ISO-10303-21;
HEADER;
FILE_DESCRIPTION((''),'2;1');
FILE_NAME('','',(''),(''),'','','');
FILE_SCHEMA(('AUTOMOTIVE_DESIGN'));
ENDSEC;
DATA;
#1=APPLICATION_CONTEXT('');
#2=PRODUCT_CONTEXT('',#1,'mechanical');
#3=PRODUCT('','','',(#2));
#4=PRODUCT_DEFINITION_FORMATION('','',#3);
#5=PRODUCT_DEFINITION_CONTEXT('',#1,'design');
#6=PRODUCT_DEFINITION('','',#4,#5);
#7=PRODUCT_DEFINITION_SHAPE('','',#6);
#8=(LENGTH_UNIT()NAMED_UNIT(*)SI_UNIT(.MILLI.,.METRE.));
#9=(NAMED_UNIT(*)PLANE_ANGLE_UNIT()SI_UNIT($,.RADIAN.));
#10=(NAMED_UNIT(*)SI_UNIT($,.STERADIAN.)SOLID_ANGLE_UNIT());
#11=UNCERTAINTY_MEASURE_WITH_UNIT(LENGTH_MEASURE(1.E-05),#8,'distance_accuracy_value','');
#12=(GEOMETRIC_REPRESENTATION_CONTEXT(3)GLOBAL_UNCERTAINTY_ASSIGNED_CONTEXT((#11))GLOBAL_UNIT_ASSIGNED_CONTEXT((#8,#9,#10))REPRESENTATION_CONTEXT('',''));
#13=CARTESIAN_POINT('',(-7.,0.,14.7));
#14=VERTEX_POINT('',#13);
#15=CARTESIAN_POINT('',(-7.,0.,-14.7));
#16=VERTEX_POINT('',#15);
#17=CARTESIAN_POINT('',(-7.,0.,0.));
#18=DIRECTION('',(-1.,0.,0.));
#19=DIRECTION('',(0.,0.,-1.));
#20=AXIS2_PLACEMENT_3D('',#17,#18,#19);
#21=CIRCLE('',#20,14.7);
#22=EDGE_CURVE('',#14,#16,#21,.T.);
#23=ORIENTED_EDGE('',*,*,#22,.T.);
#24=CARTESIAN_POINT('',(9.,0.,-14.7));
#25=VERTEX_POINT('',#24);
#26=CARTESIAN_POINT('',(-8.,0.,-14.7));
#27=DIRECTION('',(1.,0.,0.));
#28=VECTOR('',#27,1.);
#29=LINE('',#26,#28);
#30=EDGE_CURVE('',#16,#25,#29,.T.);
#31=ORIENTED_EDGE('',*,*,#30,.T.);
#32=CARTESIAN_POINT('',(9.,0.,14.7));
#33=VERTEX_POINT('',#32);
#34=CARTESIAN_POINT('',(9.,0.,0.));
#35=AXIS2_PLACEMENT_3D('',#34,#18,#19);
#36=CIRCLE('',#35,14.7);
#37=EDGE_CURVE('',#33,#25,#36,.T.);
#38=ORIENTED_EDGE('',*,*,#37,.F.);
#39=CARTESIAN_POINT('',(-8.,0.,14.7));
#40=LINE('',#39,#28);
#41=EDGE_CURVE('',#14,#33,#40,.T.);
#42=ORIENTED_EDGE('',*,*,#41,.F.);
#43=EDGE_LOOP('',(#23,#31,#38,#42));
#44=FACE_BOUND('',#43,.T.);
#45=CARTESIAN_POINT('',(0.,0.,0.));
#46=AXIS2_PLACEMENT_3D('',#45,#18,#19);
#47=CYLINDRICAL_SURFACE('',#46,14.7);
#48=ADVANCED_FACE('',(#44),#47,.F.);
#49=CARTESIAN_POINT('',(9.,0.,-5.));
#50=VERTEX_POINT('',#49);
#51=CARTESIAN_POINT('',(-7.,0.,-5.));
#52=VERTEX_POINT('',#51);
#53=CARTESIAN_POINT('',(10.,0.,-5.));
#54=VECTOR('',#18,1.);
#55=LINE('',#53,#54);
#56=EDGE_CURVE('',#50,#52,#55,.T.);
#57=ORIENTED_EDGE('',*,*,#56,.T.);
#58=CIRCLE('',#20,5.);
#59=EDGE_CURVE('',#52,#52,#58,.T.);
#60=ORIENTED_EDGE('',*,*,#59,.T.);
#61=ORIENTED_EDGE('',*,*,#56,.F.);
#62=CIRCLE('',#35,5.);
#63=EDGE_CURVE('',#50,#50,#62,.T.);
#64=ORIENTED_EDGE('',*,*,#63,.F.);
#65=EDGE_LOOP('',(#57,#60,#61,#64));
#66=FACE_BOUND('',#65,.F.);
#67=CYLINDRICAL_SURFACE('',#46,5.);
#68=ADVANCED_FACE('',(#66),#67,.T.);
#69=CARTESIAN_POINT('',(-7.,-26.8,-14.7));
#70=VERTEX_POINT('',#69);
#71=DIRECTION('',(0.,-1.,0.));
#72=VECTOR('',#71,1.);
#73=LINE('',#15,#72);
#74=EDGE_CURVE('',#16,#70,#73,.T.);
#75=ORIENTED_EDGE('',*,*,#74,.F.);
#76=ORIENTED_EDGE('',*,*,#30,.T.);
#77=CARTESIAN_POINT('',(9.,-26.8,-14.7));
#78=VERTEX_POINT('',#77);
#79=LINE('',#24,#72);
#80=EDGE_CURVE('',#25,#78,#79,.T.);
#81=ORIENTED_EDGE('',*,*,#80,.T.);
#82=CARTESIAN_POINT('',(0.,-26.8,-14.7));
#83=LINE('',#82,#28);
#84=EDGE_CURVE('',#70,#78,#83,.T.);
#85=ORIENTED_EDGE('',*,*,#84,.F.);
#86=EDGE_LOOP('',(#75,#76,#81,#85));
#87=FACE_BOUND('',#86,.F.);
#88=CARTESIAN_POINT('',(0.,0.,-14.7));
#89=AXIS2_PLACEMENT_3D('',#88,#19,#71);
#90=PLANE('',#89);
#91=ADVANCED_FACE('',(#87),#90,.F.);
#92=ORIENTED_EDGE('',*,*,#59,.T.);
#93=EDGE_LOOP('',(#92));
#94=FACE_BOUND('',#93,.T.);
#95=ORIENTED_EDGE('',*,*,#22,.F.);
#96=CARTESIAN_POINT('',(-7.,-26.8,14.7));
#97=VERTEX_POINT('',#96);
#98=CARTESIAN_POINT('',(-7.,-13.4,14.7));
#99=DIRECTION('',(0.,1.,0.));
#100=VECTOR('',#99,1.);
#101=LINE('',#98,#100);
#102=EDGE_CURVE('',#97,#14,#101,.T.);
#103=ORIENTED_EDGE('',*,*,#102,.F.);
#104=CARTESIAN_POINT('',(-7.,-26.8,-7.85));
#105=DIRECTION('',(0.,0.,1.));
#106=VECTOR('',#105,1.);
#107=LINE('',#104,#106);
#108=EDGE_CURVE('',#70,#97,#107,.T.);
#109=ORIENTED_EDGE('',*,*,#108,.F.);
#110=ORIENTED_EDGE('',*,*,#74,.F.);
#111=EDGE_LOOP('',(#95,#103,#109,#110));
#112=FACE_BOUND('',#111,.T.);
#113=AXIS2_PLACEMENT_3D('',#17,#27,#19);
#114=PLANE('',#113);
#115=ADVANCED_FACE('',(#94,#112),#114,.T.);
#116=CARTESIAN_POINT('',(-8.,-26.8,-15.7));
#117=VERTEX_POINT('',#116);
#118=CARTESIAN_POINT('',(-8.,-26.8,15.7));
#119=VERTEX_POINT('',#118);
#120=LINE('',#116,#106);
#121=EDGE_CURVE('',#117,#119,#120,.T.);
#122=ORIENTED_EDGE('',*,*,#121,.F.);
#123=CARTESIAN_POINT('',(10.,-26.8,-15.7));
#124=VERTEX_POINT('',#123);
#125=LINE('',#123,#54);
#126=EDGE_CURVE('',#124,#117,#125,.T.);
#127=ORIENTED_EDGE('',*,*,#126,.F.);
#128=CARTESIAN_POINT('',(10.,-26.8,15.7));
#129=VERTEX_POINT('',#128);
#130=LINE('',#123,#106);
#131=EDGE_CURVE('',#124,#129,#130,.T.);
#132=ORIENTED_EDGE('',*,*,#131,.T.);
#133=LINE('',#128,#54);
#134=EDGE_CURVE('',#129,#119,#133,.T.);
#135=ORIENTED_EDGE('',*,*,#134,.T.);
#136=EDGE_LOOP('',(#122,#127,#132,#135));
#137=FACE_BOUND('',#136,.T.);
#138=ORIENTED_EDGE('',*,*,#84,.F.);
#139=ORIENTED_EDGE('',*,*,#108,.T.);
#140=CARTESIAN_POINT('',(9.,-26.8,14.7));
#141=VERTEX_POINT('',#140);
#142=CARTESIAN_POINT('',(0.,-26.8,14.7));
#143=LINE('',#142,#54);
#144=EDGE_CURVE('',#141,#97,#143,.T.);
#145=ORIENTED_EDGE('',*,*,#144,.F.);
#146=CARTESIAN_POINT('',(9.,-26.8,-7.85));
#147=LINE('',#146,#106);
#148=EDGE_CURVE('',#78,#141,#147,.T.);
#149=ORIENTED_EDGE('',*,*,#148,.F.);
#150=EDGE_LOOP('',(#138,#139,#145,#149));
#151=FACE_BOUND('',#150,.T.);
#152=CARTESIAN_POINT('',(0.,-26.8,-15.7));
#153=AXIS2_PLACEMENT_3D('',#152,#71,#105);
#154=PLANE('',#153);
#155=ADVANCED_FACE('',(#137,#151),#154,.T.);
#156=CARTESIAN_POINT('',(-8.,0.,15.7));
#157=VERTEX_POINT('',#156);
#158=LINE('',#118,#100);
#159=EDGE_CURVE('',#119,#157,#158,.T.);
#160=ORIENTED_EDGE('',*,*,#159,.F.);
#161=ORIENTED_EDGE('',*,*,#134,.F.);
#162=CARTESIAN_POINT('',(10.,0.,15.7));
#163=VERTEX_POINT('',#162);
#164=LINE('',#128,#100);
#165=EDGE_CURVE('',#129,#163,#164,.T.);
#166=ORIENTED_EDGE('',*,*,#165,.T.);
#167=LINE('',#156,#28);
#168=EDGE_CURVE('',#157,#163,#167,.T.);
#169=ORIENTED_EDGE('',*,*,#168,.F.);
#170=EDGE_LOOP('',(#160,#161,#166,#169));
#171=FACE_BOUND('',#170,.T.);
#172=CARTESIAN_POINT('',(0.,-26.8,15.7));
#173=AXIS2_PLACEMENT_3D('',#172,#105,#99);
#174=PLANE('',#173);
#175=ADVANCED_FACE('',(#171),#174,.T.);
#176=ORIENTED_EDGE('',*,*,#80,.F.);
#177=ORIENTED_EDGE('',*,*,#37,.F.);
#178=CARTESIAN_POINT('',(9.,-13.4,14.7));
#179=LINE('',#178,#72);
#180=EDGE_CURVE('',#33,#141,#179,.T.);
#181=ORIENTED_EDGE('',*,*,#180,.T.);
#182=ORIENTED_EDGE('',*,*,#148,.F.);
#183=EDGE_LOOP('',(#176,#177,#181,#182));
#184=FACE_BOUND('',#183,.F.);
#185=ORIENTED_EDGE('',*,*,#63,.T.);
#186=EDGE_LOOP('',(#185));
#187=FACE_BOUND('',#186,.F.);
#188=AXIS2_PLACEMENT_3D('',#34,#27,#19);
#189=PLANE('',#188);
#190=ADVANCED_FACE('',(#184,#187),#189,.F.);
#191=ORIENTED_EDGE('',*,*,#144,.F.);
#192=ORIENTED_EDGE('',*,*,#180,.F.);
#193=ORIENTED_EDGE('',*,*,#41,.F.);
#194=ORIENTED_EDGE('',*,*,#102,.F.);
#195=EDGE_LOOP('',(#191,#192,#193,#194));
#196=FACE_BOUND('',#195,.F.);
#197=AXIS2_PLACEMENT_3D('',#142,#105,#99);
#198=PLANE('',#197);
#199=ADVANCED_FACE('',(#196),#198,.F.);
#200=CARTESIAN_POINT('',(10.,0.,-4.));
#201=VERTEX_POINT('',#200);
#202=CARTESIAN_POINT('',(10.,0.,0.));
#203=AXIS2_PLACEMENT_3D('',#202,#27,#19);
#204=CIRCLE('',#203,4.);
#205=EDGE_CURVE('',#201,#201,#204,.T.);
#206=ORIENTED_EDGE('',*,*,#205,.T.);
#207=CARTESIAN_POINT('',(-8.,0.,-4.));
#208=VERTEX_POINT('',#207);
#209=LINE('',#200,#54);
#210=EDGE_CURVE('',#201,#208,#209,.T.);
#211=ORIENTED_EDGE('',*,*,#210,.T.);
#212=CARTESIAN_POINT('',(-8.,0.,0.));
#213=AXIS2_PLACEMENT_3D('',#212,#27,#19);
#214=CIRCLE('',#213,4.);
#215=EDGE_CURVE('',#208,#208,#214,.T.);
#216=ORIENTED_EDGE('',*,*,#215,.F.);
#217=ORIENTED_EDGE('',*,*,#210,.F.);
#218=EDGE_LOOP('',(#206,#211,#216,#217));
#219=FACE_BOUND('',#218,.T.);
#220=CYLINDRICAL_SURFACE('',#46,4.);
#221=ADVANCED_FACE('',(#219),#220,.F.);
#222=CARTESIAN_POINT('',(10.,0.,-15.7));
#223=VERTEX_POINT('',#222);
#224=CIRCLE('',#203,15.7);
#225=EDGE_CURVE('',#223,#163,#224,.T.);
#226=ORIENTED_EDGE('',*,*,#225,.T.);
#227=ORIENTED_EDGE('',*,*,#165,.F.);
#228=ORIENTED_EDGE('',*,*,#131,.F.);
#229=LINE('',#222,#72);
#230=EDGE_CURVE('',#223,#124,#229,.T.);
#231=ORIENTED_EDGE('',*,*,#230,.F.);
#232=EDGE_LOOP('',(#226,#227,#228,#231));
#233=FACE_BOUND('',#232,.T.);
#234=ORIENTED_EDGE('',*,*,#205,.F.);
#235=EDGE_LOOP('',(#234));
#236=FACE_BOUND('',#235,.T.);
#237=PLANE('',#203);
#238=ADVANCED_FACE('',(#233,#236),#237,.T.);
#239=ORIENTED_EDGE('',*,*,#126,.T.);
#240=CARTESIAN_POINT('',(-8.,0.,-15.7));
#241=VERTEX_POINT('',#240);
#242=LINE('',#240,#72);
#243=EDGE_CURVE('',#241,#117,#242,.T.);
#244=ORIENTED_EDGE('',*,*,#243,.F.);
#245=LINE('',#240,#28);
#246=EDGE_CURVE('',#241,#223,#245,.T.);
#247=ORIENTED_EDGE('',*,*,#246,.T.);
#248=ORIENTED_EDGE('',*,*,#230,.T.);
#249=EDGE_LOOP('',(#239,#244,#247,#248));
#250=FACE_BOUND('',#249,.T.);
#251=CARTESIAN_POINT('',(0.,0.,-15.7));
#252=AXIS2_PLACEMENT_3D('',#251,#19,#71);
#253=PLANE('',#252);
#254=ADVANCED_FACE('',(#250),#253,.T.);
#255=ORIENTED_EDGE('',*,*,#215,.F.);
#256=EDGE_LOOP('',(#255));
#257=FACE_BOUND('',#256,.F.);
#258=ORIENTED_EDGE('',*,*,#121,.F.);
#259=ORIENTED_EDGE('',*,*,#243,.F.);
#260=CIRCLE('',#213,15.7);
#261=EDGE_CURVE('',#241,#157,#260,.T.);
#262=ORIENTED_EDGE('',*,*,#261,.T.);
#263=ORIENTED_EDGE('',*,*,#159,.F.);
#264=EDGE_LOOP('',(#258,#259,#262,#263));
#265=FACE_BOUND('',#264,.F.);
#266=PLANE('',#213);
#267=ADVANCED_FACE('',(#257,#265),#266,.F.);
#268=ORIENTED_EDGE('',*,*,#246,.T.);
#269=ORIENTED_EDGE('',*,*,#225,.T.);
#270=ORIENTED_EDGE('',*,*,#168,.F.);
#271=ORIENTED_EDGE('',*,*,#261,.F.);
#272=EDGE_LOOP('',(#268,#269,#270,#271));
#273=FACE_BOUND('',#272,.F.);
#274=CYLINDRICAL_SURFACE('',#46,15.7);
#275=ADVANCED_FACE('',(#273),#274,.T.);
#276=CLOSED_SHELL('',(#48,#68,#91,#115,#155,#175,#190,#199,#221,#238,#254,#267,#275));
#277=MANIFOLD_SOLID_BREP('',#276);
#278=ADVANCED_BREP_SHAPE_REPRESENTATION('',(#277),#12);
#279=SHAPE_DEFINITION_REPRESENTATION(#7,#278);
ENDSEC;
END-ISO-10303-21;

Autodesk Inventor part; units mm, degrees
ref_plane "YZ Plane" through (0, 0, 0) normal (1, 0, 0) x (0, 1, 0)
ref_plane "XZ Plane" through (0, 0, 0) normal (0, 1, 0) x (-1, 0, 0)
ref_plane "Arbeitsebene1" through (0, 0, 0) normal (1, 0, 0) x (0, 0, -1)
sketch "Skizze1" plane through (0, 0, 0) normal (1, 0, 0) x (0, 0, -1)
  arc A0 (15.7, 0) -> (-15.7, 0) centre (0, 0) ccw
  line L0 (15.7, 0) -> (15.7, -26.8)
  line L1 (15.7, -26.8) -> (-15.7, -26.8)
  line L2 (-15.7, -26.8) -> (-15.7, 0)
  circle A1 centre (0, 0) radius 4
  point P0 (0, 15.7)
  dimension "d0" = 31.4
  dimension "d1" = 42.5
  dimension "d2" = 8
extrude "Extrusion1" add sketch "Skizze1" along normal blind 10 and the other way blind 8
shell "Wandung1" thickness 1 removed faces 1 at (-2, -26.8, -5.2333)
properties part number "EncoderEnclosure"
